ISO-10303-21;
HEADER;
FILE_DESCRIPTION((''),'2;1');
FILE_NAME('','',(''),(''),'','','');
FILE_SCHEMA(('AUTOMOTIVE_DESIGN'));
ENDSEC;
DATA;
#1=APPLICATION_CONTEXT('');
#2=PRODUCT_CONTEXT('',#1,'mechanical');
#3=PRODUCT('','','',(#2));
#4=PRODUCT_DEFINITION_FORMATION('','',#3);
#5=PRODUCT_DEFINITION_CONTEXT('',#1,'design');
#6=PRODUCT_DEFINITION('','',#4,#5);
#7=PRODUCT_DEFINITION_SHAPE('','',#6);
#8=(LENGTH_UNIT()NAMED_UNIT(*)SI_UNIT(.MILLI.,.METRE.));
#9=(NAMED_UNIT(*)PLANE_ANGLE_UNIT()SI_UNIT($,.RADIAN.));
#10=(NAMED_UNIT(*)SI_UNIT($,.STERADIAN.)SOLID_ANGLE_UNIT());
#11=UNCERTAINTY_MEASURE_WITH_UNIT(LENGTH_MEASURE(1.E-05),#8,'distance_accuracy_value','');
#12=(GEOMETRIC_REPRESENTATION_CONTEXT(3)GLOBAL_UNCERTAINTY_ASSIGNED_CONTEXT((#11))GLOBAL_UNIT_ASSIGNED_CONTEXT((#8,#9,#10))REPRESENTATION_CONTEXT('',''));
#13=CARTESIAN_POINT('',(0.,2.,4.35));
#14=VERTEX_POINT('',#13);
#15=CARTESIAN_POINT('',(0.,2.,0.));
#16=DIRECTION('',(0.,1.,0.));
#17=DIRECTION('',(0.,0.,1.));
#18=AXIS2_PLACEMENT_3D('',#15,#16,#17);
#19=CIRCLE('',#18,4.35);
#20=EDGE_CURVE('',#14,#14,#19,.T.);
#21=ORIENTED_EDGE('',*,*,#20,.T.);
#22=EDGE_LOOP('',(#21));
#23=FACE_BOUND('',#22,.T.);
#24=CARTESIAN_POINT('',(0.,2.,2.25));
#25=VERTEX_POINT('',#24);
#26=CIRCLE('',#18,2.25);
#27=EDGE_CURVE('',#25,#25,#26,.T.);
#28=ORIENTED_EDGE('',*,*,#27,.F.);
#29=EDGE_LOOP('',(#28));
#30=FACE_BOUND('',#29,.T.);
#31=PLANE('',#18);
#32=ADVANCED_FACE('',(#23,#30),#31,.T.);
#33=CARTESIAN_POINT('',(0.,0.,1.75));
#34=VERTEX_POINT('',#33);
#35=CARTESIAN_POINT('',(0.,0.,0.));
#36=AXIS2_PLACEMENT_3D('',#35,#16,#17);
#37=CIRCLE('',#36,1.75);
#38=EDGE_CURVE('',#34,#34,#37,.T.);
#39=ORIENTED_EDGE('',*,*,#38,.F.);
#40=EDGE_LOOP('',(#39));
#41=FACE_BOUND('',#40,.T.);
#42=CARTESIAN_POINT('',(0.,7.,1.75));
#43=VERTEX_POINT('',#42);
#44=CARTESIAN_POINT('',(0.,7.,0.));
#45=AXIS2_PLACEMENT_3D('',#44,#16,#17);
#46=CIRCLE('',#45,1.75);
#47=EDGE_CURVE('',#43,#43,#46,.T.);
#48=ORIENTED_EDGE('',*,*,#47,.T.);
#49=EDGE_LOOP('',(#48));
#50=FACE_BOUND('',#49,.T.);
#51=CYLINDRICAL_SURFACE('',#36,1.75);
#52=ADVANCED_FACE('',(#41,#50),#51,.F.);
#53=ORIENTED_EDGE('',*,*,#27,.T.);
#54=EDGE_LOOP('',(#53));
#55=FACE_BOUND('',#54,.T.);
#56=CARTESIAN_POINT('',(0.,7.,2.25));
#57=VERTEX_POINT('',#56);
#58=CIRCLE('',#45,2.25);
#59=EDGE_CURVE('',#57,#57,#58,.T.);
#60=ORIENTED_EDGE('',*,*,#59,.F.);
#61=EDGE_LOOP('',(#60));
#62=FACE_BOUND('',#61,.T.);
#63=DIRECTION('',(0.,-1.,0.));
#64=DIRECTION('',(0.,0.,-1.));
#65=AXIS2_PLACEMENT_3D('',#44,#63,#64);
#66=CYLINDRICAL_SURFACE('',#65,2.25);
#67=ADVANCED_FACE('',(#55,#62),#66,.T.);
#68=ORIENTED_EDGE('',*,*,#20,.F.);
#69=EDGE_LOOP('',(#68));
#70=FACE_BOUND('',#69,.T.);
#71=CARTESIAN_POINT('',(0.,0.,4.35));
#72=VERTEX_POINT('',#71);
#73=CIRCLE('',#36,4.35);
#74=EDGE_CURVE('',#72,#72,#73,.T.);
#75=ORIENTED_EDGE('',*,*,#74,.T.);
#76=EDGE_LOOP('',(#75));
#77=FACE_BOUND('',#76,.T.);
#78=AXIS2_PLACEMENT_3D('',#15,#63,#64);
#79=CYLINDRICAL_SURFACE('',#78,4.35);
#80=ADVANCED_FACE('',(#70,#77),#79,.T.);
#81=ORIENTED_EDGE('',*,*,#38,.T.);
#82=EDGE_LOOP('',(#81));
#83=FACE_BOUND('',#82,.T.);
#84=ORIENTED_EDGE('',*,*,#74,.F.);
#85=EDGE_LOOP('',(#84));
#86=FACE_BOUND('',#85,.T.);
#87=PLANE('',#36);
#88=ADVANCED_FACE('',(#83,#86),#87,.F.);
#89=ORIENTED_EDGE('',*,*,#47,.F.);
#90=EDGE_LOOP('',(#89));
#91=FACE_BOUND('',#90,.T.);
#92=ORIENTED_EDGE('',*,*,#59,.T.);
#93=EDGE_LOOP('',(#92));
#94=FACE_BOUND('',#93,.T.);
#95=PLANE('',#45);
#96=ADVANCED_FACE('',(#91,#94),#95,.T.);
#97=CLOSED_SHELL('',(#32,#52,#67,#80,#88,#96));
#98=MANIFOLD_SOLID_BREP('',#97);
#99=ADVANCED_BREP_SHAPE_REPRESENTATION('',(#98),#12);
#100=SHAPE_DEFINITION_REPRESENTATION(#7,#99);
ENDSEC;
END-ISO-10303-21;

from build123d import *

# Parameters (mm, degrees)
SKETCH1_R           = 4.35
BOSS_EXTRUDE1_DEPTH = 2
SKETCH2_R           = 2.25
BOSS_EXTRUDE2_DEPTH = 5
SKETCH3_R           = 1.75
CUT_EXTRUDE1_DEPTH  = 8


with BuildPart() as part:
    # Sketch1 → Boss-Extrude1 (new body)
    with BuildSketch(Plane(origin=(0, 0, 0), x_dir=(1, 0, 0), z_dir=(0, 1, 0))):
        Circle(SKETCH1_R)
    extrude(amount=BOSS_EXTRUDE1_DEPTH)

    # Sketch2 → Boss-Extrude2 (add)
    with BuildSketch(Plane(origin=(0, 2, 0), x_dir=(1, 0, 0), z_dir=(0, 1, 0))):
        Circle(SKETCH2_R)
    extrude(amount=BOSS_EXTRUDE2_DEPTH)

    # Sketch3 → Cut-Extrude1 (cut, through all)
    with BuildSketch(Plane(origin=(0, 7, 0), x_dir=(1, 0, 0), z_dir=(0, 1, 0))):
        Circle(SKETCH3_R)
    extrude(amount=-CUT_EXTRUDE1_DEPTH, mode=Mode.SUBTRACT)


solid = part.part
